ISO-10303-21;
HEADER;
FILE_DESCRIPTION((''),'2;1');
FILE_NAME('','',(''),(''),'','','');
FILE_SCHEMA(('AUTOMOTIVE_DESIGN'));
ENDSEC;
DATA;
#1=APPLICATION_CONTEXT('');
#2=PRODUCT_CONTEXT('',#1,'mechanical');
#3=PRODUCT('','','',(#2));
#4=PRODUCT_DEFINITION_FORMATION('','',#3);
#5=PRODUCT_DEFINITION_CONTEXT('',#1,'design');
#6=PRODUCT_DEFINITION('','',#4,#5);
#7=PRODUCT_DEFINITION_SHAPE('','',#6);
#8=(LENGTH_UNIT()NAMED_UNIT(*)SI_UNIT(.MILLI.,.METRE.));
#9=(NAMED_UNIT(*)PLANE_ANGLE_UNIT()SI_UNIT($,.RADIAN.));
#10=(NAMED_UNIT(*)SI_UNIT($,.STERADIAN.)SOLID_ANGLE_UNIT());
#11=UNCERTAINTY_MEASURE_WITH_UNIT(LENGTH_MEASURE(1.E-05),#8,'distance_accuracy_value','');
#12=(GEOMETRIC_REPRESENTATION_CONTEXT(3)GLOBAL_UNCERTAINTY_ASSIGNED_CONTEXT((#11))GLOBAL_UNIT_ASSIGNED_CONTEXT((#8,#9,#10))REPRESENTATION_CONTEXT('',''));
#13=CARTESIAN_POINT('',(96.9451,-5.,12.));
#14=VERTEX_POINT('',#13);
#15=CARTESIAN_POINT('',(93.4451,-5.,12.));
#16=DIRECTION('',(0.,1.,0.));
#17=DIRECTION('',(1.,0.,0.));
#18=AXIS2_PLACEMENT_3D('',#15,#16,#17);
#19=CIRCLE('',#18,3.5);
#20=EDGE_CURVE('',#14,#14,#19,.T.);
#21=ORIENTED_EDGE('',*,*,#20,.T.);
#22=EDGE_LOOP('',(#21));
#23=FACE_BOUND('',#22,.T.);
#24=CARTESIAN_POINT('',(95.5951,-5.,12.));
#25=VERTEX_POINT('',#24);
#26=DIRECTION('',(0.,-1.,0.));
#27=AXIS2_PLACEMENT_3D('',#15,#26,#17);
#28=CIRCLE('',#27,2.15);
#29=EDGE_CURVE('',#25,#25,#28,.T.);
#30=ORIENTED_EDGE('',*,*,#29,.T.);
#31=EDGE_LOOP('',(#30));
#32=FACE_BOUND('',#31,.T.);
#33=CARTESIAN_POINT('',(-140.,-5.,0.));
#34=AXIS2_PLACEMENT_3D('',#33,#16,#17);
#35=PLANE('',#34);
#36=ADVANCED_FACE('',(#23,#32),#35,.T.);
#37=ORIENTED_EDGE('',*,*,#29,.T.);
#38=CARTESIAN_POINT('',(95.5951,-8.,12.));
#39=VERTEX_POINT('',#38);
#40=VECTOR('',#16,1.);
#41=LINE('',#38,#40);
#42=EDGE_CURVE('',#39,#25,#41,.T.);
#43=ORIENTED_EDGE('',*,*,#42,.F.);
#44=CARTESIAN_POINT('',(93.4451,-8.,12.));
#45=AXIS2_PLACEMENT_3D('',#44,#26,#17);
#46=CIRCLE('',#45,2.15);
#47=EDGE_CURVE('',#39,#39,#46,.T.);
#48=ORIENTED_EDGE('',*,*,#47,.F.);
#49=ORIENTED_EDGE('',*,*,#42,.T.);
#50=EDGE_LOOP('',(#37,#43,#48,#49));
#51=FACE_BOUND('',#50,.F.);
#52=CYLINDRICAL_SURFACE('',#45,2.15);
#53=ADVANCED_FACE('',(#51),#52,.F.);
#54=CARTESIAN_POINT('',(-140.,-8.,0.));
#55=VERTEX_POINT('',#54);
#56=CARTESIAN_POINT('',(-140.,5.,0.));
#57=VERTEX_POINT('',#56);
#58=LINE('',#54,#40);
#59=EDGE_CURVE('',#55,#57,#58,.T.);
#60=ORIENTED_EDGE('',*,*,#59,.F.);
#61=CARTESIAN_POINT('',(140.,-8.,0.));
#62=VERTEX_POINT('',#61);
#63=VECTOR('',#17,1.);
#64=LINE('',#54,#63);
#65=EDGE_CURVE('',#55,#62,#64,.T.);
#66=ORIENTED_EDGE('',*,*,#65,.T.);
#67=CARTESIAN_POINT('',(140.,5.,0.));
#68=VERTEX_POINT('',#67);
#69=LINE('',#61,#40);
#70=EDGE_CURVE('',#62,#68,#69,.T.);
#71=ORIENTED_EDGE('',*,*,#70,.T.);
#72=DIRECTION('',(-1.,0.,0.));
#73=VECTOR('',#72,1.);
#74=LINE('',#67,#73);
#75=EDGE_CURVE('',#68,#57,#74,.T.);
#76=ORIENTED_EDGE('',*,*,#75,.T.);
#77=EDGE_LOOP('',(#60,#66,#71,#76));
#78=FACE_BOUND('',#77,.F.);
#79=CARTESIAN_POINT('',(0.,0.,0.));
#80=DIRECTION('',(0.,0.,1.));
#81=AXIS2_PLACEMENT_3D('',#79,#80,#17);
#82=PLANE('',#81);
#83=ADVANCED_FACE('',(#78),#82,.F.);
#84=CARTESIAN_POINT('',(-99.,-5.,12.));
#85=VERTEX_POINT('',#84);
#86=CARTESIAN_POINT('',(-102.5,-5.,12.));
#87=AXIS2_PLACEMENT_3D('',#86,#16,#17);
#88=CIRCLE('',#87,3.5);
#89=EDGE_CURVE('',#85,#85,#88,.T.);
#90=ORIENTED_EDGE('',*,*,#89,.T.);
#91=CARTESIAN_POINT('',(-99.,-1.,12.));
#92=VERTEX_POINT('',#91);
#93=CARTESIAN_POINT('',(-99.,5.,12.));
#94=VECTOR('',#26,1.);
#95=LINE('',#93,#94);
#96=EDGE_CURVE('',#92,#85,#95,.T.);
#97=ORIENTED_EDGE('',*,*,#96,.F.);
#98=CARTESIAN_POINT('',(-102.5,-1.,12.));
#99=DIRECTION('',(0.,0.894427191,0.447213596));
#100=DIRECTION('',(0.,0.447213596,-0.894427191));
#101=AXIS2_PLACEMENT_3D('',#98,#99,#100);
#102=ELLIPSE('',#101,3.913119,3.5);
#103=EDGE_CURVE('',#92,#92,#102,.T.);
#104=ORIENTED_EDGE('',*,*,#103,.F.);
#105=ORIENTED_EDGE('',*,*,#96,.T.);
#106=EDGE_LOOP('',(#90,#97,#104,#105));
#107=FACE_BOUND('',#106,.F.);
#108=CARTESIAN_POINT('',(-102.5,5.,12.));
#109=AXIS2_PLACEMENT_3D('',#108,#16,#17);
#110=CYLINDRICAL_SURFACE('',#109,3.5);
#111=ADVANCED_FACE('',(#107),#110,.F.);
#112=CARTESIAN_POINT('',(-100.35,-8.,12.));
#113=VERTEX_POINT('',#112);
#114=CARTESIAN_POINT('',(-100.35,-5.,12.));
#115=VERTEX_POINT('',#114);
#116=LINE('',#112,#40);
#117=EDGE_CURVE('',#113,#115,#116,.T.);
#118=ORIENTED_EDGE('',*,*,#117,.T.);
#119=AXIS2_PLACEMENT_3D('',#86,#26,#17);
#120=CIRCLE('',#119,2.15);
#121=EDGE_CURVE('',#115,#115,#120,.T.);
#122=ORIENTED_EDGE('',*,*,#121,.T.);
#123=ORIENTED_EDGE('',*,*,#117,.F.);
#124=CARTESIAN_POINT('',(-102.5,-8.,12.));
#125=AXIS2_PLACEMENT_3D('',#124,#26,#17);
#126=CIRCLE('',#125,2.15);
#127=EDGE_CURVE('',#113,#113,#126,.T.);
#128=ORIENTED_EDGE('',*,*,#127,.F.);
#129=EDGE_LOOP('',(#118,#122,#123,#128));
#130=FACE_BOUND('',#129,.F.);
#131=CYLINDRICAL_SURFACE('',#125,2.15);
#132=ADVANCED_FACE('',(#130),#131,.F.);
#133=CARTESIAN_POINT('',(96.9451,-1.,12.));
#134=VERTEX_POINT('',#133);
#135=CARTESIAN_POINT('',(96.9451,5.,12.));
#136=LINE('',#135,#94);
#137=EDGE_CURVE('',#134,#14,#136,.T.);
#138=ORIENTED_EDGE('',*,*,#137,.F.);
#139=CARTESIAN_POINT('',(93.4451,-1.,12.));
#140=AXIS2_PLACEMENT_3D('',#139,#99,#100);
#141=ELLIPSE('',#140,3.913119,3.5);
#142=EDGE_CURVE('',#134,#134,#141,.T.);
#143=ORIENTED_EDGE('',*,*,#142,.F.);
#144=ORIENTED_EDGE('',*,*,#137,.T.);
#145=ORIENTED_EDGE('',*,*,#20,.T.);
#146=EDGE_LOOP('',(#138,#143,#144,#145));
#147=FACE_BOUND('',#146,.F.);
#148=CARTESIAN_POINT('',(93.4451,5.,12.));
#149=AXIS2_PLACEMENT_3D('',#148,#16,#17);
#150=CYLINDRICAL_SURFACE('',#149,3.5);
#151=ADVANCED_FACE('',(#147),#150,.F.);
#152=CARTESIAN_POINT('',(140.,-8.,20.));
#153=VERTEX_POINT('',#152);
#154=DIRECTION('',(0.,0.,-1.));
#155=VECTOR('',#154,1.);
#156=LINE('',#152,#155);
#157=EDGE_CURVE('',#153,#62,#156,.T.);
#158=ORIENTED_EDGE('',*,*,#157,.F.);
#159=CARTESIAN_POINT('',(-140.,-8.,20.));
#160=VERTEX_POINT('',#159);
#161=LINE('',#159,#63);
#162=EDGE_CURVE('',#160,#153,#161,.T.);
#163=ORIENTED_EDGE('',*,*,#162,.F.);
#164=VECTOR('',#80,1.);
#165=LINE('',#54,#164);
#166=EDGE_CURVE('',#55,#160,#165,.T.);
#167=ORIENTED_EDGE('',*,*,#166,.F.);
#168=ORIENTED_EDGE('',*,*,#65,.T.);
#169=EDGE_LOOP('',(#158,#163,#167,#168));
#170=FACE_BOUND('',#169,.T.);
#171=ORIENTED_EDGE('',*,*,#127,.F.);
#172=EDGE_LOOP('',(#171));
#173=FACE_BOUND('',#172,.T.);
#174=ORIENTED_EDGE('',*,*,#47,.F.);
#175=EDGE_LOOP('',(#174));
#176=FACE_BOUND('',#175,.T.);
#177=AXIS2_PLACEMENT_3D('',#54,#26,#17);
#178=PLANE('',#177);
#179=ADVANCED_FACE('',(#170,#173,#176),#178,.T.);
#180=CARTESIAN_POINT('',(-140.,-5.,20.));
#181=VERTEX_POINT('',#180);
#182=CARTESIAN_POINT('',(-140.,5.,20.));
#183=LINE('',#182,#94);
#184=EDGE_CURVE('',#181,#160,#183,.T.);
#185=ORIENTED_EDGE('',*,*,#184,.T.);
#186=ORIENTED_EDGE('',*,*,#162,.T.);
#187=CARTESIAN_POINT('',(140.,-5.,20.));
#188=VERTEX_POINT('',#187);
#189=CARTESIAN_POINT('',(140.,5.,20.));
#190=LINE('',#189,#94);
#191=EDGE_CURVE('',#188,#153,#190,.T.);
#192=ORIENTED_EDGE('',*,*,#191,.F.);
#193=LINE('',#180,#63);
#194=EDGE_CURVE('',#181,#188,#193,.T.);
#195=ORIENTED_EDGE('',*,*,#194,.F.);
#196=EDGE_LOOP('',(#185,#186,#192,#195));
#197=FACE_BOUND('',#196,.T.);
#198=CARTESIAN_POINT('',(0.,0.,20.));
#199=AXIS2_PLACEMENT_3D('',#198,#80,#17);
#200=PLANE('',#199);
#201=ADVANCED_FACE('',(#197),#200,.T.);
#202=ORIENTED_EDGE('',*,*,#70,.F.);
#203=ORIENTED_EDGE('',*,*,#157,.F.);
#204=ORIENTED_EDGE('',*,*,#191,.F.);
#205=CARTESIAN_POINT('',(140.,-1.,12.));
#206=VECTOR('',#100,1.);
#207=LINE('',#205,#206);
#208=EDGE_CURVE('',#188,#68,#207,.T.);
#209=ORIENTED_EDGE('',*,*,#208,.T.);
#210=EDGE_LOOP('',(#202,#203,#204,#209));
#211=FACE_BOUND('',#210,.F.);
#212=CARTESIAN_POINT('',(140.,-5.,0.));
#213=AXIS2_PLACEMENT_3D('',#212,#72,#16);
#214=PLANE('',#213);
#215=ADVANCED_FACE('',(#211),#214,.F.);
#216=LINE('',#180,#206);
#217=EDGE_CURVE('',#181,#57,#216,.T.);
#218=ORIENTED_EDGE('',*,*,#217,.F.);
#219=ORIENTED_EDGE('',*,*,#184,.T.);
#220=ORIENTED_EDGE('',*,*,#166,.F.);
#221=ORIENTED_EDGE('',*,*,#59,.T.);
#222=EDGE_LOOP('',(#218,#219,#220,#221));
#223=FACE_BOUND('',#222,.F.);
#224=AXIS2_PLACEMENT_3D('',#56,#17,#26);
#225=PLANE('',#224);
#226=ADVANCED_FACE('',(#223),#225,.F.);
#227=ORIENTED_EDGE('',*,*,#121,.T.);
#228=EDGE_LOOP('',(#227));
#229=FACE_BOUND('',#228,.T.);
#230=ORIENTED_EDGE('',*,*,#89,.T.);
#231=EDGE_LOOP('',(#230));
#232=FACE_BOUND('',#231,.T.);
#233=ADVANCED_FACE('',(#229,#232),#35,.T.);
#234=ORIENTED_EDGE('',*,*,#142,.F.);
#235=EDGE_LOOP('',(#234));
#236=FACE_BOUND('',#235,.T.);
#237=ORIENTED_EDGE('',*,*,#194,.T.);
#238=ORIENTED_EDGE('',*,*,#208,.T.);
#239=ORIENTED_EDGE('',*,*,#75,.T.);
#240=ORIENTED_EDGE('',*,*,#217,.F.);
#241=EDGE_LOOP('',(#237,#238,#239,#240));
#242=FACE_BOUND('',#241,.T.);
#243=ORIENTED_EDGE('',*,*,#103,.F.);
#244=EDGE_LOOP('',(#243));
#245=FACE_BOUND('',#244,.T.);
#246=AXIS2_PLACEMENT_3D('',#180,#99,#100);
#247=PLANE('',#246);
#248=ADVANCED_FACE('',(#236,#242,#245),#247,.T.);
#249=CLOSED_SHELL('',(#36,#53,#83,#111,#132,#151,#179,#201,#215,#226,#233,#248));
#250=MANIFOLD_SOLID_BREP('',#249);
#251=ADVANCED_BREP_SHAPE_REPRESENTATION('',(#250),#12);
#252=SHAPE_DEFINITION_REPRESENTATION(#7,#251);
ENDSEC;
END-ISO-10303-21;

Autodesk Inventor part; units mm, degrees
ref_plane "YZ Plane" through (0, 0, 0) normal (1, 0, 0) x (0, 1, 0)
ref_plane "XZ Plane" through (0, 0, 0) normal (0, 1, 0) x (-1, 0, 0)
ref_plane "XY Plane" through (0, 0, 0) normal (0, 0, 1) x (1, 0, 0)
sketch "Sketch1" plane through (0, 0, 0) normal (0, 0, 1) x (1, 0, 0)
  line L0 (140, 5) -> (-140, 5)
  line L1 (-140, 5) -> (-140, -5)
  line L2 (-140, -5) -> (140, -5)
  line L3 (140, -5) -> (140, 5)
  line L4 (140, 5) -> (-140, -5) construction
  line L5 (-140, 5) -> (140, -5) construction
  point P0 (0, 0)
  dimension "d0" = 280
  dimension "d1" = 10
extrude "Extrusion1" add sketch "Sketch1" along normal blind 20
sketch "Sketch6" plane through (-140, -5, 0) normal (0, -1, 0) x (1, 0, 0)
  line L0 (0, 0) -> (0, 20) projected
  line L1 (0, 0) -> (280, 0) projected
  line L2 (0, 20) -> (280, 20)
  line L3 (280, 20) -> (280, 0)
  line L4 (280, 0) -> (0, 0)
  line L5 (0, 0) -> (0, 20)
  point P0 (140, 0)
extrude "Extrusion4" add sketch "Sketch6" along normal blind 3
sketch "Sketch7" plane through (-140, -8, 0) normal (0, -1, 0) x (1, 0, 0)
  point P0 (140, 0)
sketch "Sketch8" plane through (-140, -8, 0) normal (0, -1, 0) x (1, 0, 0)
  circle A0 centre (37.5, 12) radius 2.1 projected
  circle A1 centre (37.5, 12) radius 2.15
  circle A2 centre (233.4451, 12) radius 2.15
  point P0 (140, 0)
  dimension "d23" = 4.3
  dimension "d24" = 4.3
extrude "Extrusion5" cut sketch "Sketch8" against normal through all contours A0 | A1 | A2
sketch "Sketch9" plane through (-140, 5, 0) normal (0, 1, 0) x (1, 0, 0)
  circle A0 centre (37.5, -12) radius 2.15 projected
  circle A1 centre (37.5, -12) radius 3.5
  circle A2 centre (233.4451, -12) radius 2.15 projected
  circle A3 centre (233.4451, -12) radius 3.5
  point P0 (140, 0)
  dimension "d27" = 7
  dimension "d28" = 7
extrude "Extrusion6" cut sketch "Sketch9" against normal blind 10 contours A0 | A1 | A2 | A3
sketch "Sketch10" plane through (-140, 5, 0) normal (-1, 0, 0) x (0, 0, 1)
  line L0 (0, 0) -> (20, 0) projected
  line L1 (20, 0) -> (20, -10)
  line L2 (20, 0) -> (20, -13) projected
  line L3 (20, 0) -> (30, 0) construction
  line L4 (0, 0) -> (0, -13) projected
  line L5 (20, -10) -> (0, 0)
  line L6 (0, 0) -> (20, 0)
  point P0 (0, -5)
  dimension "d31" = 10
  dimension "d32" = 90
extrude "Extrusion7" cut sketch "Sketch10" against normal through all
properties part number "paw shelf_v02"
